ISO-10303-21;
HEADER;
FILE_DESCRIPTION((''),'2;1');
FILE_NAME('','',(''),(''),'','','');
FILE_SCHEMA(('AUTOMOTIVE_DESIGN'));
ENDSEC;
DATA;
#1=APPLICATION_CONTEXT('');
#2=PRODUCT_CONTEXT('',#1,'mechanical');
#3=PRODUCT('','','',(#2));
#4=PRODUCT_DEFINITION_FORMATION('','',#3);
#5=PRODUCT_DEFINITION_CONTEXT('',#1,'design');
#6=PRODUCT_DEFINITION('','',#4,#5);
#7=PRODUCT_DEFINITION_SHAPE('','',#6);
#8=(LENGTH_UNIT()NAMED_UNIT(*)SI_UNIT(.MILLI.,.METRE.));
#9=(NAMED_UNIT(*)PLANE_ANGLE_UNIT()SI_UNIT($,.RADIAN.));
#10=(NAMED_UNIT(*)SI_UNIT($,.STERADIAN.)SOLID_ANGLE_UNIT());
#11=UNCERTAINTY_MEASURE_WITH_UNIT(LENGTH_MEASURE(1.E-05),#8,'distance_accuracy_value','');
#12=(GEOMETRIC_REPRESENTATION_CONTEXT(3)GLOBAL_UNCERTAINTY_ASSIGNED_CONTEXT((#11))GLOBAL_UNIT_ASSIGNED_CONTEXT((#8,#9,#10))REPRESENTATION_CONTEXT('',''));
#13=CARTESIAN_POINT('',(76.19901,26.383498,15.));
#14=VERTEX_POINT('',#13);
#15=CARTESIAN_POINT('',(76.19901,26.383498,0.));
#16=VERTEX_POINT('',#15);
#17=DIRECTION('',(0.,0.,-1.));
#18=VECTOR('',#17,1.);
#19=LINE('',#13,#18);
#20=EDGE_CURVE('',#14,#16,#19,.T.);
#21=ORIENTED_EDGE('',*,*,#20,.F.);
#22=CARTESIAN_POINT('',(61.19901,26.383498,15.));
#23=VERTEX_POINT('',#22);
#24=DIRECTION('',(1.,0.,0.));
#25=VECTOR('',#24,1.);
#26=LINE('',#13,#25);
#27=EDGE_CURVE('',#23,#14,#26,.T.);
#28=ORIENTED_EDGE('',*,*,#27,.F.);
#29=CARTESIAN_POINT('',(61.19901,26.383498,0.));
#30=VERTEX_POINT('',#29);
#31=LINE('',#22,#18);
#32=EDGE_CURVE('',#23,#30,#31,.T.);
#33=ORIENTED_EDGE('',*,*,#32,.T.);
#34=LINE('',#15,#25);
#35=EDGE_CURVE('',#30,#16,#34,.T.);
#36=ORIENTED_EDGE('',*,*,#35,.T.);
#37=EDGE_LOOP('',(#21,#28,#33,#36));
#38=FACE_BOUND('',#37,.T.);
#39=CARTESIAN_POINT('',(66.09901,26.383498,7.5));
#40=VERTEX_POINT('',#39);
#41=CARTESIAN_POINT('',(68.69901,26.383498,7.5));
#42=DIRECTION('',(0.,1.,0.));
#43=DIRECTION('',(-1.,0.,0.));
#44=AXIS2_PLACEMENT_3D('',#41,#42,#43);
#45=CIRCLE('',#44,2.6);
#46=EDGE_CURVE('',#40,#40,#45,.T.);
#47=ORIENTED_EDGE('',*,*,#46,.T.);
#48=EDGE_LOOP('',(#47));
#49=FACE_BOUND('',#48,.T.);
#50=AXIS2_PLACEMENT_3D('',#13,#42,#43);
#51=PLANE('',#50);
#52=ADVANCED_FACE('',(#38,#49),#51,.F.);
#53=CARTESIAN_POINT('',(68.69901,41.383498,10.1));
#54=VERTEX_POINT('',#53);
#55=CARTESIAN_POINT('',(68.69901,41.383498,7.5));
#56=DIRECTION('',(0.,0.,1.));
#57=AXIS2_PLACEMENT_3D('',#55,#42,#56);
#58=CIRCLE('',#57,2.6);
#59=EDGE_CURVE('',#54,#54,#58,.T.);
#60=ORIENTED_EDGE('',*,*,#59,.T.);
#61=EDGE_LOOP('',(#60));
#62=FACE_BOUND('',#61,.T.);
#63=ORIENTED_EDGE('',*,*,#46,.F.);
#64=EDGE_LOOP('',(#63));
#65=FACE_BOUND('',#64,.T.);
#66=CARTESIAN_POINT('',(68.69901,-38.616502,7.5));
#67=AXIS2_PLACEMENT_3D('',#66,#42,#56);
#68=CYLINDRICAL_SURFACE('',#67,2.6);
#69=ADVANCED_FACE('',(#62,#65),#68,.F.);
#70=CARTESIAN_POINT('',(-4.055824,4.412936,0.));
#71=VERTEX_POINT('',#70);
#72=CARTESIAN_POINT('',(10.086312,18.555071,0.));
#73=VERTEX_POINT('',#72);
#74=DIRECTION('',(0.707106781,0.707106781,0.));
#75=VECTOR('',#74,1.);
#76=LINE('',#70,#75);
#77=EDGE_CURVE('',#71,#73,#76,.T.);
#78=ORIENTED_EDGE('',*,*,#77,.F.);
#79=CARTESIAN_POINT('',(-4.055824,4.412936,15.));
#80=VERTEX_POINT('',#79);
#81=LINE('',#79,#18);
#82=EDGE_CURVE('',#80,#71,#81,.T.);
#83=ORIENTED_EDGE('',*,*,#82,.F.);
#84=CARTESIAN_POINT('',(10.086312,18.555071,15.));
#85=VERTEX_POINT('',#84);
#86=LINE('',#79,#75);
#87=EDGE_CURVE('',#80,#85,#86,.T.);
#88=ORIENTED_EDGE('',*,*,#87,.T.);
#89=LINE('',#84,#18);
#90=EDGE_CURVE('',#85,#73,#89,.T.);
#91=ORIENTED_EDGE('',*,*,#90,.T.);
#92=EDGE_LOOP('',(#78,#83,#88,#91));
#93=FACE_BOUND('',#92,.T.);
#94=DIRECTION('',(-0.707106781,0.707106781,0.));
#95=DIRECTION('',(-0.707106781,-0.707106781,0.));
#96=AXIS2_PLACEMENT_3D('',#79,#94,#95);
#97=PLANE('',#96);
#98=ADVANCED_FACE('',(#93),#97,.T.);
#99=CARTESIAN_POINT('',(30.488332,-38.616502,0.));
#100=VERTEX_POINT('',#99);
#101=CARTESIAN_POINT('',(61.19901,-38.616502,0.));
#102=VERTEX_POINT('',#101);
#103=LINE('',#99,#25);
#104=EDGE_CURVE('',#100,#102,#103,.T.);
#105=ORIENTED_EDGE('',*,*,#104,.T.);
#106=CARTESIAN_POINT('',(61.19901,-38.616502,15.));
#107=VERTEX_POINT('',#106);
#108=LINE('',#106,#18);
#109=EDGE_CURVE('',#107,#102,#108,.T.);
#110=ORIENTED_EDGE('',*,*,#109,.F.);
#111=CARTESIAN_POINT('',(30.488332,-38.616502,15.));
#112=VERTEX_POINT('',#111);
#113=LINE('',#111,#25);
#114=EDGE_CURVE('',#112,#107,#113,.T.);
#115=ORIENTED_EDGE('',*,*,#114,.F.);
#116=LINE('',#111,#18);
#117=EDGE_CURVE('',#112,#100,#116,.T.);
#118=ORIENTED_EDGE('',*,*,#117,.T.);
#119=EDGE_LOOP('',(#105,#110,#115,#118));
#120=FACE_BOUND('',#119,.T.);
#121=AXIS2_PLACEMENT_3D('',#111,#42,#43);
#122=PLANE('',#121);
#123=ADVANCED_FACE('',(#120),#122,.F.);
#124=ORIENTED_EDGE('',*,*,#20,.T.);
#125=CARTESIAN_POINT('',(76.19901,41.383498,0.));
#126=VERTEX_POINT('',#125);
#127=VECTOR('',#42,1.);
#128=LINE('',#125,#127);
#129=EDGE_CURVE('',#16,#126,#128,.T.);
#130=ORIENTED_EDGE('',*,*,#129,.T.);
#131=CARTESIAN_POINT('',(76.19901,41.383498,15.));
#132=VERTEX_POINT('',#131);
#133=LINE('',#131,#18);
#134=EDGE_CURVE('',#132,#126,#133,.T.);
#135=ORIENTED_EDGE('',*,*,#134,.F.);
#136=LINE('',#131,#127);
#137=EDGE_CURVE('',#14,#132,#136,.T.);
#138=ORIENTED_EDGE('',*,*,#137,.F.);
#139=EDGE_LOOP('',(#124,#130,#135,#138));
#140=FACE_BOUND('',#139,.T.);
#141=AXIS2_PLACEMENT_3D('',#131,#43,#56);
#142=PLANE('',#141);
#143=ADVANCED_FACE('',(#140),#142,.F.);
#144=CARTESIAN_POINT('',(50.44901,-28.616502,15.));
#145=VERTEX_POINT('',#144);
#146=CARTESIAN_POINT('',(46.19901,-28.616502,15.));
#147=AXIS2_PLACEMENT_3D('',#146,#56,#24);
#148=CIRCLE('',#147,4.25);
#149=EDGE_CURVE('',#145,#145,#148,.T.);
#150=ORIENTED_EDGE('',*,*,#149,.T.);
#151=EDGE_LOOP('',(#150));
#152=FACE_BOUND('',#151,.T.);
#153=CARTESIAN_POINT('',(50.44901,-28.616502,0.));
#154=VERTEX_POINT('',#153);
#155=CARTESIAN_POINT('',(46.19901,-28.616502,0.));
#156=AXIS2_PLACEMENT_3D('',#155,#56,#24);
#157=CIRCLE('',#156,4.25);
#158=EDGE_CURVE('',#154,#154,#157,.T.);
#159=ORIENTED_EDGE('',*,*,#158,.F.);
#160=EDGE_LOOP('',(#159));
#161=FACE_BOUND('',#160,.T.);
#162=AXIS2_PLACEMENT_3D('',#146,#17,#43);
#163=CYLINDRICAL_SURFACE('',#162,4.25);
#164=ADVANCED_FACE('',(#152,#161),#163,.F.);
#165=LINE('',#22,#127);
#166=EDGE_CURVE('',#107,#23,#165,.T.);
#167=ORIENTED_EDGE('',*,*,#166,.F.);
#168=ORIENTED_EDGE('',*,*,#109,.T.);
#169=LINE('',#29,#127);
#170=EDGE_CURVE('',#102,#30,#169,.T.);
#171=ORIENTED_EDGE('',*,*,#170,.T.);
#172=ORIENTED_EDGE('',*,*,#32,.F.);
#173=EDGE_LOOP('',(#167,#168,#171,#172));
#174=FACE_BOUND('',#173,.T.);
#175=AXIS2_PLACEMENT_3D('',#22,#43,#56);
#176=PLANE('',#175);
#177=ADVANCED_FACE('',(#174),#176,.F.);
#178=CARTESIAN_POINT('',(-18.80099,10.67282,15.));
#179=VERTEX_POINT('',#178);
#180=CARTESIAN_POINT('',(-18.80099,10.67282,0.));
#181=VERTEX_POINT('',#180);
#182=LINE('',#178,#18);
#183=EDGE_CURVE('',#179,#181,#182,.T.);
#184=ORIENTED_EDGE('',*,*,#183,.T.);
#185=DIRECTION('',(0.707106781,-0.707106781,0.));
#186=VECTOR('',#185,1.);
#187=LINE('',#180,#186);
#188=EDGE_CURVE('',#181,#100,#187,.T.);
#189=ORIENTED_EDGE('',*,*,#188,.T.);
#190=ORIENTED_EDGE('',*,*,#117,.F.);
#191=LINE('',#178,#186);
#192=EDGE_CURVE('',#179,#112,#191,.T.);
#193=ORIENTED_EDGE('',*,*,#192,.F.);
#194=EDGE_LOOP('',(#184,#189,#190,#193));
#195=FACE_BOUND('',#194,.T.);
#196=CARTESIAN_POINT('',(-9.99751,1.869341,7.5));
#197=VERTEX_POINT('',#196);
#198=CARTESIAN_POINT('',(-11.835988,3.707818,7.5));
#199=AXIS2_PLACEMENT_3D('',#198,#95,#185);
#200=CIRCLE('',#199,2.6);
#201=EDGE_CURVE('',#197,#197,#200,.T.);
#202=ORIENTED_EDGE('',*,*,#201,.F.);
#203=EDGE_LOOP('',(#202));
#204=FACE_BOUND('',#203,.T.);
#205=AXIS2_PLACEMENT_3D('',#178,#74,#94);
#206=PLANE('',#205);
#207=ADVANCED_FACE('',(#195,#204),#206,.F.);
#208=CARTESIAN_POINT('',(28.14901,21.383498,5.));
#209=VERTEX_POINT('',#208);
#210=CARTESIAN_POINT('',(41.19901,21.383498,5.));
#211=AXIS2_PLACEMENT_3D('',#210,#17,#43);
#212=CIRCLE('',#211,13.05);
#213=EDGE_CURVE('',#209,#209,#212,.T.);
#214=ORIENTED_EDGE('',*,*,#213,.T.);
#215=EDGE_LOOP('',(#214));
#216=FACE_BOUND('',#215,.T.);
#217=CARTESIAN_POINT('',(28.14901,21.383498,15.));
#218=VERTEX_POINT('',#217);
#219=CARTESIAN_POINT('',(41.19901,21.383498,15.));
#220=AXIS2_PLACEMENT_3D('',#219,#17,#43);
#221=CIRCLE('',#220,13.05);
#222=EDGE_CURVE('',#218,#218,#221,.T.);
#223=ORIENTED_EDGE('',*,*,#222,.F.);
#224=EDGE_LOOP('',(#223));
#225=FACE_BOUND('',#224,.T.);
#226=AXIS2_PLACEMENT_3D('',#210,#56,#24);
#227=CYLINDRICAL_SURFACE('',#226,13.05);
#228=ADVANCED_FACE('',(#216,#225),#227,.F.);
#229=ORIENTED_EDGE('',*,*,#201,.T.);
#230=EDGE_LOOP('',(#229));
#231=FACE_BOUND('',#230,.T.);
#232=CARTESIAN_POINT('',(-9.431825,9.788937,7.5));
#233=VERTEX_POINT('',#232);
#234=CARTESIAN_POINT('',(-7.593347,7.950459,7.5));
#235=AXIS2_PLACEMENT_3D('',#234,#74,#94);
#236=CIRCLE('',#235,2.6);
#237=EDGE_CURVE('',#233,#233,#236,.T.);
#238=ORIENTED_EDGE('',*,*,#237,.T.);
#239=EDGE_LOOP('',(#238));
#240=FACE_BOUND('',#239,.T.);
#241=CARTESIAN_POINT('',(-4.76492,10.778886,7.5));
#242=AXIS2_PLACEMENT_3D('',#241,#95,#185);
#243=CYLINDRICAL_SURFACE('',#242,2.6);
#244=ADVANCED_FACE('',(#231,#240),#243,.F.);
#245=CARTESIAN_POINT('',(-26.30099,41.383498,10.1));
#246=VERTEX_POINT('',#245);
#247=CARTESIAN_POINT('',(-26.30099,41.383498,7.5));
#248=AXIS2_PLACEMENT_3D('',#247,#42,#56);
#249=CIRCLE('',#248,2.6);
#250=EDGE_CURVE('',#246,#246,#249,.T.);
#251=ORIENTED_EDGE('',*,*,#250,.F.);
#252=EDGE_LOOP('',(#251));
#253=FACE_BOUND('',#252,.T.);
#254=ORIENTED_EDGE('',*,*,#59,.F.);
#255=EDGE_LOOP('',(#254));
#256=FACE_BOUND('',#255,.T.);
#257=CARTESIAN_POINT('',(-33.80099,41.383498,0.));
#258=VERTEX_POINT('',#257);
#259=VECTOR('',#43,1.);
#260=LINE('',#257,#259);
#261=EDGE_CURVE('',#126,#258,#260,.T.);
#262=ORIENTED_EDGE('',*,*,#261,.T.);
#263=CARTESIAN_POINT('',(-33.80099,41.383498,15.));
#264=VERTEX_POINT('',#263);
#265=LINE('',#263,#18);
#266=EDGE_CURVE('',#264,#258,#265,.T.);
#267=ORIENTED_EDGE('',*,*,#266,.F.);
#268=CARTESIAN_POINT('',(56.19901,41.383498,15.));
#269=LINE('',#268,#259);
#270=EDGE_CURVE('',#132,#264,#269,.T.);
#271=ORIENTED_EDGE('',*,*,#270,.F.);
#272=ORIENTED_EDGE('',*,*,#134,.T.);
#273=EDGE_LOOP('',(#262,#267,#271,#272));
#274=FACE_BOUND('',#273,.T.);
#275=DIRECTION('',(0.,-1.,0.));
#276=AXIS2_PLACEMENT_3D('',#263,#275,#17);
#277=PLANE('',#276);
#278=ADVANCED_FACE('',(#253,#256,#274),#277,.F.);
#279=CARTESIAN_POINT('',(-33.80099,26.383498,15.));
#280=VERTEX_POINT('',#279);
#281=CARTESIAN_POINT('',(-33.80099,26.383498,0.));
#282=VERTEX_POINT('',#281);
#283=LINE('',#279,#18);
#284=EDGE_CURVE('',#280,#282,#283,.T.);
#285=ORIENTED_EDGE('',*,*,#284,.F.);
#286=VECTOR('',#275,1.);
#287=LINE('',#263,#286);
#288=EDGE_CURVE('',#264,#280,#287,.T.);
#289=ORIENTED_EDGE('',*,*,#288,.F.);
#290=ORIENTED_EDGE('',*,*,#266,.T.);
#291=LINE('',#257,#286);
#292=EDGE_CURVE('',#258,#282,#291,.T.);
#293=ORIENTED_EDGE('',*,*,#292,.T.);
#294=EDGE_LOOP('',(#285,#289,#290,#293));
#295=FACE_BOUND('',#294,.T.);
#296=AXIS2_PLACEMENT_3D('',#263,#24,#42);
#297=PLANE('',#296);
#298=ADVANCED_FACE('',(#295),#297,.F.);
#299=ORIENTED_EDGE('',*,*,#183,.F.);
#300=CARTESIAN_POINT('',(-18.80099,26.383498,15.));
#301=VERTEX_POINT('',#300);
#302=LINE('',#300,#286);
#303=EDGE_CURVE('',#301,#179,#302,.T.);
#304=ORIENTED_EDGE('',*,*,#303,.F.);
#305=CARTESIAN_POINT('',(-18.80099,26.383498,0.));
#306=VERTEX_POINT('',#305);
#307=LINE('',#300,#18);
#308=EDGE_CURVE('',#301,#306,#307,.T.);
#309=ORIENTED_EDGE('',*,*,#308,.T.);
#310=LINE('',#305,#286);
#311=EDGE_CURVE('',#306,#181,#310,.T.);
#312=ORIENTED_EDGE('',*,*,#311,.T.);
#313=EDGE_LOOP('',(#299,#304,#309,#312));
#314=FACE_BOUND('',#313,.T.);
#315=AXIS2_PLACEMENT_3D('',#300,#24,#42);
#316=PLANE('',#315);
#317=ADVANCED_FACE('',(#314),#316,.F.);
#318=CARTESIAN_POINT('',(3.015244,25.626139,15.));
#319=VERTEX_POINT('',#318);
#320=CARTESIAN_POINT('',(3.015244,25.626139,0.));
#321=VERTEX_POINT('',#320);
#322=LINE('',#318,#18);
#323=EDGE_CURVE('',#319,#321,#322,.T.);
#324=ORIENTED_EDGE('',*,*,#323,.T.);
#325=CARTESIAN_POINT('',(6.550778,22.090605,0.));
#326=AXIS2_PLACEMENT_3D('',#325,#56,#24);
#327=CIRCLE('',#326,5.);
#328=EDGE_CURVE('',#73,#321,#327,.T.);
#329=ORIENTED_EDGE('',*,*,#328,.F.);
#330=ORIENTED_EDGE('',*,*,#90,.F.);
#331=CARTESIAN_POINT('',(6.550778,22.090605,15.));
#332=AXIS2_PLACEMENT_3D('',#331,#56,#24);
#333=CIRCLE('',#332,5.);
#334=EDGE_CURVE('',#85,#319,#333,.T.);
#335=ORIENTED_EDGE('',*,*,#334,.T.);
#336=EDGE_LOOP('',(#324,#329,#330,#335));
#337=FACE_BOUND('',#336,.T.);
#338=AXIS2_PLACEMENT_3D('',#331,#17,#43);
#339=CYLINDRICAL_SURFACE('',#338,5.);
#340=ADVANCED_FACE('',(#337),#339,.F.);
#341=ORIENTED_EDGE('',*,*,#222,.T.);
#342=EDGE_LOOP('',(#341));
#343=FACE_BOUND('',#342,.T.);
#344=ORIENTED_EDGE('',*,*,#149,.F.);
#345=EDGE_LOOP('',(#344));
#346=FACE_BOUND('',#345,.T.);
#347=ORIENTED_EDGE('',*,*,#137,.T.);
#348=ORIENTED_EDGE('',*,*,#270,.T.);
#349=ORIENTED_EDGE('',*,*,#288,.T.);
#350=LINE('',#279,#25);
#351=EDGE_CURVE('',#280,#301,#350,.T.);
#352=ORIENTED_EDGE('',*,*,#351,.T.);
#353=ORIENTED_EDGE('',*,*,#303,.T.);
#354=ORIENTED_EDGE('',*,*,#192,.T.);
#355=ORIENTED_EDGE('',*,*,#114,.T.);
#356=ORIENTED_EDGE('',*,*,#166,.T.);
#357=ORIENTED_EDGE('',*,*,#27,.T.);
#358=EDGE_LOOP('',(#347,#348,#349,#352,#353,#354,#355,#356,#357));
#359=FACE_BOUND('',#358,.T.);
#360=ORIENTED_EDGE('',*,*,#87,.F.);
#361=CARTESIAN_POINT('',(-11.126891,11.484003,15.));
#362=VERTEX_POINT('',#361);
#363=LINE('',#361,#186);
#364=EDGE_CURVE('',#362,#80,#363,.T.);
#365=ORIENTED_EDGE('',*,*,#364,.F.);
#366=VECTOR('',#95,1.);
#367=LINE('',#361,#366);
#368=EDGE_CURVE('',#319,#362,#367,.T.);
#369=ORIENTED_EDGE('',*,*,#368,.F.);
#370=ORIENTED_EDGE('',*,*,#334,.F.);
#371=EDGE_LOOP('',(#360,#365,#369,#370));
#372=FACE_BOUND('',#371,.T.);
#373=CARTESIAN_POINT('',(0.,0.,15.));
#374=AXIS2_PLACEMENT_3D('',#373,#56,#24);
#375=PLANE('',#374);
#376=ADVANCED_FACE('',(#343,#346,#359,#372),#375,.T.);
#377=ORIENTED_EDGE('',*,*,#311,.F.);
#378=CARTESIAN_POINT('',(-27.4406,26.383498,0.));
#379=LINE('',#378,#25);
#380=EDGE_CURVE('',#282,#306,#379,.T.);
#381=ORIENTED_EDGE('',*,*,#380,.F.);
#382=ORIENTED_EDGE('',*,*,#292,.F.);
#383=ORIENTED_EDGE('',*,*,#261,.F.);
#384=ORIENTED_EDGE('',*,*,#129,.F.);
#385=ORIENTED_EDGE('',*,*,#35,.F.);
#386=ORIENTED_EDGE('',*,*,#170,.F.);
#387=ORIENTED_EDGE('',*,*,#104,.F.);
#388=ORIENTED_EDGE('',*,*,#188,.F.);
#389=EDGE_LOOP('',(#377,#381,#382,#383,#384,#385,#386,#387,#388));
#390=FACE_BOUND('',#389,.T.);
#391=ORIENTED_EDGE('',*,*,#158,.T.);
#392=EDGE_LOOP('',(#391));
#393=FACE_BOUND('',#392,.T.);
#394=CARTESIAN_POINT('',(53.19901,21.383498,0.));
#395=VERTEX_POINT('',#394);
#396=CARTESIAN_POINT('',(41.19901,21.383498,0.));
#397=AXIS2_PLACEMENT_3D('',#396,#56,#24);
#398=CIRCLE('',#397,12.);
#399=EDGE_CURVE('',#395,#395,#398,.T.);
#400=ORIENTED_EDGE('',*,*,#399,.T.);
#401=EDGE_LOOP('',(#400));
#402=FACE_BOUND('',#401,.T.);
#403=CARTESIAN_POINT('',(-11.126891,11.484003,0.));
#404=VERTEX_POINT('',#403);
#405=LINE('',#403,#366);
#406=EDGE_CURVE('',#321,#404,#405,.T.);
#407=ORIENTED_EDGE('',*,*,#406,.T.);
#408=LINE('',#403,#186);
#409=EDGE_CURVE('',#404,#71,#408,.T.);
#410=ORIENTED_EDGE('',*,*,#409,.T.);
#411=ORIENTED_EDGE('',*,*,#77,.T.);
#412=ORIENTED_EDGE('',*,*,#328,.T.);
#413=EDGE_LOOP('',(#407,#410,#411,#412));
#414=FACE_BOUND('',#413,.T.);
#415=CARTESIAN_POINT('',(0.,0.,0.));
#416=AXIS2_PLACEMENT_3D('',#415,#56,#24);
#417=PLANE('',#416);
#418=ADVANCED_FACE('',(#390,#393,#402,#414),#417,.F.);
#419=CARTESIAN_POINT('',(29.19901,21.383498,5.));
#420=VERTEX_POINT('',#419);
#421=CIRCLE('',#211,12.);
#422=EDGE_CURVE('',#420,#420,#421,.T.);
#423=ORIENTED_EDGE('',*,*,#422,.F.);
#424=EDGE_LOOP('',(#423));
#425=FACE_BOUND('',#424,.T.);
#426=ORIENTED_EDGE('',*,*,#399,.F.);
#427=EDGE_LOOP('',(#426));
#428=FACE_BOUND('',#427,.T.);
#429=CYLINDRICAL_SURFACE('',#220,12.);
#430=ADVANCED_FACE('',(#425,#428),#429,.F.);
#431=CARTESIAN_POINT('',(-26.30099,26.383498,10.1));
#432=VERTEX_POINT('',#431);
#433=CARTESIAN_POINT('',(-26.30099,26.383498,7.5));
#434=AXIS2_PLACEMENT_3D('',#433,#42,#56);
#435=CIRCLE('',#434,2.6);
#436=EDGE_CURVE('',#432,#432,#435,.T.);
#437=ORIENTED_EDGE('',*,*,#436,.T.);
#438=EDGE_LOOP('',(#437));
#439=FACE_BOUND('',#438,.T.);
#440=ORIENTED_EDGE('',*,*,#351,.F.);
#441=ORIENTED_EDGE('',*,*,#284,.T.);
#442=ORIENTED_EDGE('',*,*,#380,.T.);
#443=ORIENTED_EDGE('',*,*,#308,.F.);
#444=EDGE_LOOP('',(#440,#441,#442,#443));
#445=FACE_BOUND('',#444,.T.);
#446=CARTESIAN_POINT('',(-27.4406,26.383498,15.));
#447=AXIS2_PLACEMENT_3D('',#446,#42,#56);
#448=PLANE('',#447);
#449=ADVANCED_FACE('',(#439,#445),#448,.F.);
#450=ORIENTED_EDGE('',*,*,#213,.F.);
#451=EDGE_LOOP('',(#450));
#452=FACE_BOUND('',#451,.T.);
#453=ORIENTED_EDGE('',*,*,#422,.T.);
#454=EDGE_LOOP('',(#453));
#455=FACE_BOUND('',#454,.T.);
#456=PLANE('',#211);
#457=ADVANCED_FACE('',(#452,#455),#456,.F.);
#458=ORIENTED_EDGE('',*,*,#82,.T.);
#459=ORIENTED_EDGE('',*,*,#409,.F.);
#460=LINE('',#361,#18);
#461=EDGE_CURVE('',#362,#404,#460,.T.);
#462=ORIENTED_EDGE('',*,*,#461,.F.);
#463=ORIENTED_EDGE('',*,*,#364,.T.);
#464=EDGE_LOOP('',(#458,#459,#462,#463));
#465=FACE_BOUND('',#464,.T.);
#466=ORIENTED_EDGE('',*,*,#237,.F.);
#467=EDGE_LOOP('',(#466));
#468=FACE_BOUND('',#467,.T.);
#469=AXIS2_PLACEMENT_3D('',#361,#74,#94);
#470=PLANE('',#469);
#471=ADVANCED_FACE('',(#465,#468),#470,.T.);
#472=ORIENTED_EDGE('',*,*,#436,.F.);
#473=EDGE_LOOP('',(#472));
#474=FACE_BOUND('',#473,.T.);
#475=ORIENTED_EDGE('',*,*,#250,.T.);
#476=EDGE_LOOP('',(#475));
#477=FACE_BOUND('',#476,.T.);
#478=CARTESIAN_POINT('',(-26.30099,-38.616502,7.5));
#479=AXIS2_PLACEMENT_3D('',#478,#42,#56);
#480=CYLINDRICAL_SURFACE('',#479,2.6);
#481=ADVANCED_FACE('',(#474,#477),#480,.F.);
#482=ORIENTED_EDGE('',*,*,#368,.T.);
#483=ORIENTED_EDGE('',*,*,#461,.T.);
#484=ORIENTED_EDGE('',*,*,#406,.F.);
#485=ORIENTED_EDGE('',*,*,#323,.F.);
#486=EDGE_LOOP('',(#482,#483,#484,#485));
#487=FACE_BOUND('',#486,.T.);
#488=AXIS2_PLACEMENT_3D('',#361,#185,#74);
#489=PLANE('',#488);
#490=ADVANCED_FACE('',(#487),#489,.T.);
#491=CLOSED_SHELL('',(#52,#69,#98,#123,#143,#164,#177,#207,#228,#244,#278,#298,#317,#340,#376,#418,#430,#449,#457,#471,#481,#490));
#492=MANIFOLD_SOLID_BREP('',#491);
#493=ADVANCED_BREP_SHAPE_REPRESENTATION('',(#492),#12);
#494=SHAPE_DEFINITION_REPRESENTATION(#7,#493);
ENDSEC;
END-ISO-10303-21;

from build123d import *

# Parameters (mm, degrees)
SKETCH_1_R          = 12
SKETCH_1_R_2        = 4.25
EXTRUDE_1_DEPTH     = 15
SKETCH_2_R          = 13.05
CUT_EXTRUDE_1_DEPTH = 10
SKETCH_3_R          = 2.6
CUT_EXTRUDE_2_DEPTH = 81
SKETCH_5_R          = 2.6
CUT_EXTRUDE_3_DEPTH = 10


with BuildPart() as part:
    # 草图1 → 凸台-拉伸1 (new body)
    with BuildSketch(Plane.XY):
        Polygon((-33.800989673, 26.383498279), (-27.44059998, 26.383498279), (-18.800989673, 26.383498279), (-18.800989673, 10.67282016), (30.488332208, -38.616501721), (61.199010327, -38.616501721), (61.199010327, 26.383498279), (76.199010327, 26.383498279), (76.199010327, 41.383498279), (56.199010327, 41.383498279), (-33.800989673, 41.383498279), align=None)
        with Locations((41.199010327, 21.383498279)):
            Circle(SKETCH_1_R, mode=Mode.SUBTRACT)
        with Locations((46.199010327, -28.616501721)):
            Circle(SKETCH_1_R_2, mode=Mode.SUBTRACT)
        with BuildLine():
            Line((-11.126891481, 11.484003342), (3.015244143, 25.626138966))
            ThreePointArc((3.015244143, 25.626138966), (10.086311955, 25.626138966), (10.086311955, 18.555071154))
            Line((10.086311955, 18.555071154), (-4.055823669, 4.41293553))
            Line((-4.055823669, 4.41293553), (-11.126891481, 11.484003342))
        make_face(mode=Mode.SUBTRACT)
    extrude(amount=EXTRUDE_1_DEPTH)

    # 草图2 → 切除-拉伸1 (cut)
    with BuildSketch(Plane(origin=(0, 0, 15), x_dir=(-1, 0, 0), z_dir=(0, 0, -1))):
        with Locations((-41.199010327, 21.383498279)):
            Circle(SKETCH_2_R)
    extrude(amount=CUT_EXTRUDE_1_DEPTH, mode=Mode.SUBTRACT)

    # 草图3 → 切除-拉伸2 (cut, through all)
    with BuildSketch(Plane(origin=(0, 41.383498279, 0), x_dir=(1, 0, 0), z_dir=(0, 1, 0))):
        with Locations((-26.300989673, -7.5)):
            Circle(SKETCH_3_R)
        with Locations((68.699010327, -7.5)):
            Circle(SKETCH_3_R)
    extrude(amount=-CUT_EXTRUDE_2_DEPTH, mode=Mode.SUBTRACT)

    # 草图5 → 切除-拉伸3 (cut)
    with BuildSketch(Plane(origin=(-4.064084756, -4.064084756, 0), x_dir=(0, 0, 1), z_dir=(-0.707106781, -0.707106781, 0))):
        with Locations((7.5, 10.9911308)):
            Circle(SKETCH_5_R)
    extrude(amount=-CUT_EXTRUDE_3_DEPTH, mode=Mode.SUBTRACT)


solid = part.part
